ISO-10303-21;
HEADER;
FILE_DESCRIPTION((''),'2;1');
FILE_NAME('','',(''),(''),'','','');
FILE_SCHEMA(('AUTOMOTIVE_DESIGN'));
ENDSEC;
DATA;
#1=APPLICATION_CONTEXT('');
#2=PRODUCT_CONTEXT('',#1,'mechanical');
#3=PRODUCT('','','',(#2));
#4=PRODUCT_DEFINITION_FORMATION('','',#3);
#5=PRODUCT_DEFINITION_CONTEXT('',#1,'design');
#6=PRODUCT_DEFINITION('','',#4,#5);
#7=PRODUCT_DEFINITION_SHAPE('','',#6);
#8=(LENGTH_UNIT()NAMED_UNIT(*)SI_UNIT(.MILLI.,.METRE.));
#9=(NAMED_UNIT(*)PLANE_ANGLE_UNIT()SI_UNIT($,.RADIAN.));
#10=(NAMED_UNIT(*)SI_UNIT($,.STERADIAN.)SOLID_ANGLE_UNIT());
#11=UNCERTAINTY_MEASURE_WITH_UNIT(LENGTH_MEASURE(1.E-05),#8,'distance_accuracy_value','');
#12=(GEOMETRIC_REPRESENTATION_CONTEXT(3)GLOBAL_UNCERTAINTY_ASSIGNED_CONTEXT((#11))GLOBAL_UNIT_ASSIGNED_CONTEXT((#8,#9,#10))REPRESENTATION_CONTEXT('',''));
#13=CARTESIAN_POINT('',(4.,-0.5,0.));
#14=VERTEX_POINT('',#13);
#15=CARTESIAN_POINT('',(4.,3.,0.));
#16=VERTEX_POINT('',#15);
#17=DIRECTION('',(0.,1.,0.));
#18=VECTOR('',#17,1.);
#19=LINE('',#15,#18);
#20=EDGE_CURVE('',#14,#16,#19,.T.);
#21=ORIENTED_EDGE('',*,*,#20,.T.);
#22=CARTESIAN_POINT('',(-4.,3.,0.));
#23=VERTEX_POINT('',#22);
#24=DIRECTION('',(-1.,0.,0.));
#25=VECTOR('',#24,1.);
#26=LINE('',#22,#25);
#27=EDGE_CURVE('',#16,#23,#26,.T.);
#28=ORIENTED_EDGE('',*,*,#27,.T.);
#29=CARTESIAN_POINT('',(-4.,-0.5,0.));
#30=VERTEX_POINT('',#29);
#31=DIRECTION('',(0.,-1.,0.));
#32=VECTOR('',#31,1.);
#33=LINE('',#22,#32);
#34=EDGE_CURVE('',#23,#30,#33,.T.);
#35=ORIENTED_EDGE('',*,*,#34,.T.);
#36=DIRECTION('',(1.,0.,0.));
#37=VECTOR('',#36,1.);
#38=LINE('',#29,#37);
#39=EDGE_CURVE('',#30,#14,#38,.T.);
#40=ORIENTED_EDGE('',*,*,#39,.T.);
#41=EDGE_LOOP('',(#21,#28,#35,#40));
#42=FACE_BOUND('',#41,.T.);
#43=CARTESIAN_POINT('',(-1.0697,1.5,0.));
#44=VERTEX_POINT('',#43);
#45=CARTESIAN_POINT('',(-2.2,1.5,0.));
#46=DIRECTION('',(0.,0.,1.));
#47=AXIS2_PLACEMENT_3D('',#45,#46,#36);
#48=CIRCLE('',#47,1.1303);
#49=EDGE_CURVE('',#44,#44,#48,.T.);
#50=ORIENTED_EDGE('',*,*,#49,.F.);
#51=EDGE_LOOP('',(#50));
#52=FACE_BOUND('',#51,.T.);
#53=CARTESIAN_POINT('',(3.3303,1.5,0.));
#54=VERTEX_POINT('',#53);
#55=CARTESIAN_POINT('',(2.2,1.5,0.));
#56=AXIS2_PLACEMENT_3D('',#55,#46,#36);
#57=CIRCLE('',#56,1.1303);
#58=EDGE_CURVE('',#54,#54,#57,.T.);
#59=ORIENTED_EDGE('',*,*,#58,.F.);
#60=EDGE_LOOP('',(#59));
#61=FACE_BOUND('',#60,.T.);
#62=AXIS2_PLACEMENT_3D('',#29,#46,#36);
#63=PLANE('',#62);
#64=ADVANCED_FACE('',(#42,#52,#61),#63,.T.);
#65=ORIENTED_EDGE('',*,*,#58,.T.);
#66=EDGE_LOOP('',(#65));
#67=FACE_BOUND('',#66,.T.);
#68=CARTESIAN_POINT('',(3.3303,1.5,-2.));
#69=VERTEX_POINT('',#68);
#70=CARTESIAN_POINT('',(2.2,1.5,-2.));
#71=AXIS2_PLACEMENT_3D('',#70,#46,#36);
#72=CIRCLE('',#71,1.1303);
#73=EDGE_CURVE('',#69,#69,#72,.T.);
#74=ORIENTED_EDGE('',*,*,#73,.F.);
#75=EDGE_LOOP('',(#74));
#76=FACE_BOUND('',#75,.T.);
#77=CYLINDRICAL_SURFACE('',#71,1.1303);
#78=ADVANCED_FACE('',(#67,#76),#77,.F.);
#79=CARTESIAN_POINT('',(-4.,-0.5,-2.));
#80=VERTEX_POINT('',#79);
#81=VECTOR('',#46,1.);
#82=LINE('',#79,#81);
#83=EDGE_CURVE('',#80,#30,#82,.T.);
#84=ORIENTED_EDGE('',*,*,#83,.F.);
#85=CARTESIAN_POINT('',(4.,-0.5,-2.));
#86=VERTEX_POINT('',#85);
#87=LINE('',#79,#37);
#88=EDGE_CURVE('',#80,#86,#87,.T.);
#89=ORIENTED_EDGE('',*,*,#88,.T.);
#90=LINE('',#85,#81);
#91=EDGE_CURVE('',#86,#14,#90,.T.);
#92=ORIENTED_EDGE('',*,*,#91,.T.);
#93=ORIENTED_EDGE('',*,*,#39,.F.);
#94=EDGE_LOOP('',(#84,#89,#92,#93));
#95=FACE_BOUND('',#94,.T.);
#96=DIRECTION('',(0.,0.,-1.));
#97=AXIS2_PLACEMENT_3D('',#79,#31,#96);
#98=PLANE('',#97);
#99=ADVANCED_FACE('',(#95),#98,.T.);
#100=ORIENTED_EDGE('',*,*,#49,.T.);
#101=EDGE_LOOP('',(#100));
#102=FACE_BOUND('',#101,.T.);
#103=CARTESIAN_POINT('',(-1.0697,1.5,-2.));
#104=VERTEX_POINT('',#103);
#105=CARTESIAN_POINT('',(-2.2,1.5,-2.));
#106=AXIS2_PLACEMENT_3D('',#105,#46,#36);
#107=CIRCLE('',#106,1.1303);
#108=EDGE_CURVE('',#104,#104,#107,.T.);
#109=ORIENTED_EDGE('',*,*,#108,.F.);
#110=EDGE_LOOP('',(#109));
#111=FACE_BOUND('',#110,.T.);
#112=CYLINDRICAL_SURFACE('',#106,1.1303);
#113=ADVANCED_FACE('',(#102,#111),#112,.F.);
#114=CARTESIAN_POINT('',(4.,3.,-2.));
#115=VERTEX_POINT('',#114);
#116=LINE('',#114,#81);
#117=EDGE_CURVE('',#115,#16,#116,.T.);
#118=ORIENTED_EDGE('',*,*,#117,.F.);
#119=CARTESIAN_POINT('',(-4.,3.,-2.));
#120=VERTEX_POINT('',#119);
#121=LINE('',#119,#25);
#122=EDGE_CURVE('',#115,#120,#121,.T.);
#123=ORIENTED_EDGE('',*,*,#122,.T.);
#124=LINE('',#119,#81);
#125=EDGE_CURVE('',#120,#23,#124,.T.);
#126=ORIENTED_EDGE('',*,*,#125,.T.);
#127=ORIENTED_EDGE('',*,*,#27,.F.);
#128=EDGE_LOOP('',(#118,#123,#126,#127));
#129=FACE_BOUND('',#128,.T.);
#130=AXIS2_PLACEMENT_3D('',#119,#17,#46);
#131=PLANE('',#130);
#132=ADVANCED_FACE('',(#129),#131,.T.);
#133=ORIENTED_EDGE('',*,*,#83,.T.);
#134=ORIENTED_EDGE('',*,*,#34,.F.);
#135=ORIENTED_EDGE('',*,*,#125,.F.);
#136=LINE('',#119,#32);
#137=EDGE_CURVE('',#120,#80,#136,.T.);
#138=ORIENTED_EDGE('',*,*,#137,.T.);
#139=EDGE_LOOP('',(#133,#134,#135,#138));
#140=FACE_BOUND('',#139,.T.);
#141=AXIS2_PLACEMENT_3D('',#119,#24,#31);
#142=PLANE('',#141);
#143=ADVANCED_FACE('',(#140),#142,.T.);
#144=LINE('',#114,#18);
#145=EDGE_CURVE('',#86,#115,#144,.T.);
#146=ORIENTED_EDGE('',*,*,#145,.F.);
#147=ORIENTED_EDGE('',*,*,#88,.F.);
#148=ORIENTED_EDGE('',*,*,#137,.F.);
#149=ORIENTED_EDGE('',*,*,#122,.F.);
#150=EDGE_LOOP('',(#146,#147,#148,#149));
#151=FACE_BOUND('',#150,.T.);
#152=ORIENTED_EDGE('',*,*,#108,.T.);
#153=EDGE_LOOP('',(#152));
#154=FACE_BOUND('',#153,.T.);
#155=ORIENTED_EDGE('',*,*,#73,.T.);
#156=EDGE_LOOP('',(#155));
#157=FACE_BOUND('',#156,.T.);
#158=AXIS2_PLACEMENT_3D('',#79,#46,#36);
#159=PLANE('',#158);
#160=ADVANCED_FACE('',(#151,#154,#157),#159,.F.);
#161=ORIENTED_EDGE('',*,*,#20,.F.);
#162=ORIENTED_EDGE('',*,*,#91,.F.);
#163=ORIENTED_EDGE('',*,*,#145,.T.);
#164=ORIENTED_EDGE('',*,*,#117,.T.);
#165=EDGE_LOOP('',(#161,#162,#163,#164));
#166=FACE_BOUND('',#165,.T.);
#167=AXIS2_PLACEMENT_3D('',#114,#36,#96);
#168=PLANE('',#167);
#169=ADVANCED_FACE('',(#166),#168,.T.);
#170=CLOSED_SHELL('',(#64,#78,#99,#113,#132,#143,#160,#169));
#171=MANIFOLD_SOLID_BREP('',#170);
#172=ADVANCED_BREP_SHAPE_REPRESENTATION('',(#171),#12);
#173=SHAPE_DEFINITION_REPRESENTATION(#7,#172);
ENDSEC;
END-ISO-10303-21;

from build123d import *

# Parameters (mm, degrees)
SKETCH1_W      = 8
SKETCH1_H      = 3.5
EXTRUDE1_DEPTH = 2
SKETCH2_R      = 1.1303
EXTRUDE2_DEPTH = 3


with BuildPart() as part:
    # Sketch1 → Extrude1 (new body)
    with BuildSketch(Plane.XY):
        with Locations((0, 1.25)):
            Rectangle(SKETCH1_W, SKETCH1_H)
    extrude(amount=-EXTRUDE1_DEPTH)

    # Sketch2 → Extrude2 (cut, through all)
    with BuildSketch(Plane.XY):
        with Locations((-2.2, 1.5)):
            Circle(SKETCH2_R)
        with Locations((2.2, 1.5)):
            Circle(SKETCH2_R)
    extrude(amount=-EXTRUDE2_DEPTH, mode=Mode.SUBTRACT)


solid = part.part
